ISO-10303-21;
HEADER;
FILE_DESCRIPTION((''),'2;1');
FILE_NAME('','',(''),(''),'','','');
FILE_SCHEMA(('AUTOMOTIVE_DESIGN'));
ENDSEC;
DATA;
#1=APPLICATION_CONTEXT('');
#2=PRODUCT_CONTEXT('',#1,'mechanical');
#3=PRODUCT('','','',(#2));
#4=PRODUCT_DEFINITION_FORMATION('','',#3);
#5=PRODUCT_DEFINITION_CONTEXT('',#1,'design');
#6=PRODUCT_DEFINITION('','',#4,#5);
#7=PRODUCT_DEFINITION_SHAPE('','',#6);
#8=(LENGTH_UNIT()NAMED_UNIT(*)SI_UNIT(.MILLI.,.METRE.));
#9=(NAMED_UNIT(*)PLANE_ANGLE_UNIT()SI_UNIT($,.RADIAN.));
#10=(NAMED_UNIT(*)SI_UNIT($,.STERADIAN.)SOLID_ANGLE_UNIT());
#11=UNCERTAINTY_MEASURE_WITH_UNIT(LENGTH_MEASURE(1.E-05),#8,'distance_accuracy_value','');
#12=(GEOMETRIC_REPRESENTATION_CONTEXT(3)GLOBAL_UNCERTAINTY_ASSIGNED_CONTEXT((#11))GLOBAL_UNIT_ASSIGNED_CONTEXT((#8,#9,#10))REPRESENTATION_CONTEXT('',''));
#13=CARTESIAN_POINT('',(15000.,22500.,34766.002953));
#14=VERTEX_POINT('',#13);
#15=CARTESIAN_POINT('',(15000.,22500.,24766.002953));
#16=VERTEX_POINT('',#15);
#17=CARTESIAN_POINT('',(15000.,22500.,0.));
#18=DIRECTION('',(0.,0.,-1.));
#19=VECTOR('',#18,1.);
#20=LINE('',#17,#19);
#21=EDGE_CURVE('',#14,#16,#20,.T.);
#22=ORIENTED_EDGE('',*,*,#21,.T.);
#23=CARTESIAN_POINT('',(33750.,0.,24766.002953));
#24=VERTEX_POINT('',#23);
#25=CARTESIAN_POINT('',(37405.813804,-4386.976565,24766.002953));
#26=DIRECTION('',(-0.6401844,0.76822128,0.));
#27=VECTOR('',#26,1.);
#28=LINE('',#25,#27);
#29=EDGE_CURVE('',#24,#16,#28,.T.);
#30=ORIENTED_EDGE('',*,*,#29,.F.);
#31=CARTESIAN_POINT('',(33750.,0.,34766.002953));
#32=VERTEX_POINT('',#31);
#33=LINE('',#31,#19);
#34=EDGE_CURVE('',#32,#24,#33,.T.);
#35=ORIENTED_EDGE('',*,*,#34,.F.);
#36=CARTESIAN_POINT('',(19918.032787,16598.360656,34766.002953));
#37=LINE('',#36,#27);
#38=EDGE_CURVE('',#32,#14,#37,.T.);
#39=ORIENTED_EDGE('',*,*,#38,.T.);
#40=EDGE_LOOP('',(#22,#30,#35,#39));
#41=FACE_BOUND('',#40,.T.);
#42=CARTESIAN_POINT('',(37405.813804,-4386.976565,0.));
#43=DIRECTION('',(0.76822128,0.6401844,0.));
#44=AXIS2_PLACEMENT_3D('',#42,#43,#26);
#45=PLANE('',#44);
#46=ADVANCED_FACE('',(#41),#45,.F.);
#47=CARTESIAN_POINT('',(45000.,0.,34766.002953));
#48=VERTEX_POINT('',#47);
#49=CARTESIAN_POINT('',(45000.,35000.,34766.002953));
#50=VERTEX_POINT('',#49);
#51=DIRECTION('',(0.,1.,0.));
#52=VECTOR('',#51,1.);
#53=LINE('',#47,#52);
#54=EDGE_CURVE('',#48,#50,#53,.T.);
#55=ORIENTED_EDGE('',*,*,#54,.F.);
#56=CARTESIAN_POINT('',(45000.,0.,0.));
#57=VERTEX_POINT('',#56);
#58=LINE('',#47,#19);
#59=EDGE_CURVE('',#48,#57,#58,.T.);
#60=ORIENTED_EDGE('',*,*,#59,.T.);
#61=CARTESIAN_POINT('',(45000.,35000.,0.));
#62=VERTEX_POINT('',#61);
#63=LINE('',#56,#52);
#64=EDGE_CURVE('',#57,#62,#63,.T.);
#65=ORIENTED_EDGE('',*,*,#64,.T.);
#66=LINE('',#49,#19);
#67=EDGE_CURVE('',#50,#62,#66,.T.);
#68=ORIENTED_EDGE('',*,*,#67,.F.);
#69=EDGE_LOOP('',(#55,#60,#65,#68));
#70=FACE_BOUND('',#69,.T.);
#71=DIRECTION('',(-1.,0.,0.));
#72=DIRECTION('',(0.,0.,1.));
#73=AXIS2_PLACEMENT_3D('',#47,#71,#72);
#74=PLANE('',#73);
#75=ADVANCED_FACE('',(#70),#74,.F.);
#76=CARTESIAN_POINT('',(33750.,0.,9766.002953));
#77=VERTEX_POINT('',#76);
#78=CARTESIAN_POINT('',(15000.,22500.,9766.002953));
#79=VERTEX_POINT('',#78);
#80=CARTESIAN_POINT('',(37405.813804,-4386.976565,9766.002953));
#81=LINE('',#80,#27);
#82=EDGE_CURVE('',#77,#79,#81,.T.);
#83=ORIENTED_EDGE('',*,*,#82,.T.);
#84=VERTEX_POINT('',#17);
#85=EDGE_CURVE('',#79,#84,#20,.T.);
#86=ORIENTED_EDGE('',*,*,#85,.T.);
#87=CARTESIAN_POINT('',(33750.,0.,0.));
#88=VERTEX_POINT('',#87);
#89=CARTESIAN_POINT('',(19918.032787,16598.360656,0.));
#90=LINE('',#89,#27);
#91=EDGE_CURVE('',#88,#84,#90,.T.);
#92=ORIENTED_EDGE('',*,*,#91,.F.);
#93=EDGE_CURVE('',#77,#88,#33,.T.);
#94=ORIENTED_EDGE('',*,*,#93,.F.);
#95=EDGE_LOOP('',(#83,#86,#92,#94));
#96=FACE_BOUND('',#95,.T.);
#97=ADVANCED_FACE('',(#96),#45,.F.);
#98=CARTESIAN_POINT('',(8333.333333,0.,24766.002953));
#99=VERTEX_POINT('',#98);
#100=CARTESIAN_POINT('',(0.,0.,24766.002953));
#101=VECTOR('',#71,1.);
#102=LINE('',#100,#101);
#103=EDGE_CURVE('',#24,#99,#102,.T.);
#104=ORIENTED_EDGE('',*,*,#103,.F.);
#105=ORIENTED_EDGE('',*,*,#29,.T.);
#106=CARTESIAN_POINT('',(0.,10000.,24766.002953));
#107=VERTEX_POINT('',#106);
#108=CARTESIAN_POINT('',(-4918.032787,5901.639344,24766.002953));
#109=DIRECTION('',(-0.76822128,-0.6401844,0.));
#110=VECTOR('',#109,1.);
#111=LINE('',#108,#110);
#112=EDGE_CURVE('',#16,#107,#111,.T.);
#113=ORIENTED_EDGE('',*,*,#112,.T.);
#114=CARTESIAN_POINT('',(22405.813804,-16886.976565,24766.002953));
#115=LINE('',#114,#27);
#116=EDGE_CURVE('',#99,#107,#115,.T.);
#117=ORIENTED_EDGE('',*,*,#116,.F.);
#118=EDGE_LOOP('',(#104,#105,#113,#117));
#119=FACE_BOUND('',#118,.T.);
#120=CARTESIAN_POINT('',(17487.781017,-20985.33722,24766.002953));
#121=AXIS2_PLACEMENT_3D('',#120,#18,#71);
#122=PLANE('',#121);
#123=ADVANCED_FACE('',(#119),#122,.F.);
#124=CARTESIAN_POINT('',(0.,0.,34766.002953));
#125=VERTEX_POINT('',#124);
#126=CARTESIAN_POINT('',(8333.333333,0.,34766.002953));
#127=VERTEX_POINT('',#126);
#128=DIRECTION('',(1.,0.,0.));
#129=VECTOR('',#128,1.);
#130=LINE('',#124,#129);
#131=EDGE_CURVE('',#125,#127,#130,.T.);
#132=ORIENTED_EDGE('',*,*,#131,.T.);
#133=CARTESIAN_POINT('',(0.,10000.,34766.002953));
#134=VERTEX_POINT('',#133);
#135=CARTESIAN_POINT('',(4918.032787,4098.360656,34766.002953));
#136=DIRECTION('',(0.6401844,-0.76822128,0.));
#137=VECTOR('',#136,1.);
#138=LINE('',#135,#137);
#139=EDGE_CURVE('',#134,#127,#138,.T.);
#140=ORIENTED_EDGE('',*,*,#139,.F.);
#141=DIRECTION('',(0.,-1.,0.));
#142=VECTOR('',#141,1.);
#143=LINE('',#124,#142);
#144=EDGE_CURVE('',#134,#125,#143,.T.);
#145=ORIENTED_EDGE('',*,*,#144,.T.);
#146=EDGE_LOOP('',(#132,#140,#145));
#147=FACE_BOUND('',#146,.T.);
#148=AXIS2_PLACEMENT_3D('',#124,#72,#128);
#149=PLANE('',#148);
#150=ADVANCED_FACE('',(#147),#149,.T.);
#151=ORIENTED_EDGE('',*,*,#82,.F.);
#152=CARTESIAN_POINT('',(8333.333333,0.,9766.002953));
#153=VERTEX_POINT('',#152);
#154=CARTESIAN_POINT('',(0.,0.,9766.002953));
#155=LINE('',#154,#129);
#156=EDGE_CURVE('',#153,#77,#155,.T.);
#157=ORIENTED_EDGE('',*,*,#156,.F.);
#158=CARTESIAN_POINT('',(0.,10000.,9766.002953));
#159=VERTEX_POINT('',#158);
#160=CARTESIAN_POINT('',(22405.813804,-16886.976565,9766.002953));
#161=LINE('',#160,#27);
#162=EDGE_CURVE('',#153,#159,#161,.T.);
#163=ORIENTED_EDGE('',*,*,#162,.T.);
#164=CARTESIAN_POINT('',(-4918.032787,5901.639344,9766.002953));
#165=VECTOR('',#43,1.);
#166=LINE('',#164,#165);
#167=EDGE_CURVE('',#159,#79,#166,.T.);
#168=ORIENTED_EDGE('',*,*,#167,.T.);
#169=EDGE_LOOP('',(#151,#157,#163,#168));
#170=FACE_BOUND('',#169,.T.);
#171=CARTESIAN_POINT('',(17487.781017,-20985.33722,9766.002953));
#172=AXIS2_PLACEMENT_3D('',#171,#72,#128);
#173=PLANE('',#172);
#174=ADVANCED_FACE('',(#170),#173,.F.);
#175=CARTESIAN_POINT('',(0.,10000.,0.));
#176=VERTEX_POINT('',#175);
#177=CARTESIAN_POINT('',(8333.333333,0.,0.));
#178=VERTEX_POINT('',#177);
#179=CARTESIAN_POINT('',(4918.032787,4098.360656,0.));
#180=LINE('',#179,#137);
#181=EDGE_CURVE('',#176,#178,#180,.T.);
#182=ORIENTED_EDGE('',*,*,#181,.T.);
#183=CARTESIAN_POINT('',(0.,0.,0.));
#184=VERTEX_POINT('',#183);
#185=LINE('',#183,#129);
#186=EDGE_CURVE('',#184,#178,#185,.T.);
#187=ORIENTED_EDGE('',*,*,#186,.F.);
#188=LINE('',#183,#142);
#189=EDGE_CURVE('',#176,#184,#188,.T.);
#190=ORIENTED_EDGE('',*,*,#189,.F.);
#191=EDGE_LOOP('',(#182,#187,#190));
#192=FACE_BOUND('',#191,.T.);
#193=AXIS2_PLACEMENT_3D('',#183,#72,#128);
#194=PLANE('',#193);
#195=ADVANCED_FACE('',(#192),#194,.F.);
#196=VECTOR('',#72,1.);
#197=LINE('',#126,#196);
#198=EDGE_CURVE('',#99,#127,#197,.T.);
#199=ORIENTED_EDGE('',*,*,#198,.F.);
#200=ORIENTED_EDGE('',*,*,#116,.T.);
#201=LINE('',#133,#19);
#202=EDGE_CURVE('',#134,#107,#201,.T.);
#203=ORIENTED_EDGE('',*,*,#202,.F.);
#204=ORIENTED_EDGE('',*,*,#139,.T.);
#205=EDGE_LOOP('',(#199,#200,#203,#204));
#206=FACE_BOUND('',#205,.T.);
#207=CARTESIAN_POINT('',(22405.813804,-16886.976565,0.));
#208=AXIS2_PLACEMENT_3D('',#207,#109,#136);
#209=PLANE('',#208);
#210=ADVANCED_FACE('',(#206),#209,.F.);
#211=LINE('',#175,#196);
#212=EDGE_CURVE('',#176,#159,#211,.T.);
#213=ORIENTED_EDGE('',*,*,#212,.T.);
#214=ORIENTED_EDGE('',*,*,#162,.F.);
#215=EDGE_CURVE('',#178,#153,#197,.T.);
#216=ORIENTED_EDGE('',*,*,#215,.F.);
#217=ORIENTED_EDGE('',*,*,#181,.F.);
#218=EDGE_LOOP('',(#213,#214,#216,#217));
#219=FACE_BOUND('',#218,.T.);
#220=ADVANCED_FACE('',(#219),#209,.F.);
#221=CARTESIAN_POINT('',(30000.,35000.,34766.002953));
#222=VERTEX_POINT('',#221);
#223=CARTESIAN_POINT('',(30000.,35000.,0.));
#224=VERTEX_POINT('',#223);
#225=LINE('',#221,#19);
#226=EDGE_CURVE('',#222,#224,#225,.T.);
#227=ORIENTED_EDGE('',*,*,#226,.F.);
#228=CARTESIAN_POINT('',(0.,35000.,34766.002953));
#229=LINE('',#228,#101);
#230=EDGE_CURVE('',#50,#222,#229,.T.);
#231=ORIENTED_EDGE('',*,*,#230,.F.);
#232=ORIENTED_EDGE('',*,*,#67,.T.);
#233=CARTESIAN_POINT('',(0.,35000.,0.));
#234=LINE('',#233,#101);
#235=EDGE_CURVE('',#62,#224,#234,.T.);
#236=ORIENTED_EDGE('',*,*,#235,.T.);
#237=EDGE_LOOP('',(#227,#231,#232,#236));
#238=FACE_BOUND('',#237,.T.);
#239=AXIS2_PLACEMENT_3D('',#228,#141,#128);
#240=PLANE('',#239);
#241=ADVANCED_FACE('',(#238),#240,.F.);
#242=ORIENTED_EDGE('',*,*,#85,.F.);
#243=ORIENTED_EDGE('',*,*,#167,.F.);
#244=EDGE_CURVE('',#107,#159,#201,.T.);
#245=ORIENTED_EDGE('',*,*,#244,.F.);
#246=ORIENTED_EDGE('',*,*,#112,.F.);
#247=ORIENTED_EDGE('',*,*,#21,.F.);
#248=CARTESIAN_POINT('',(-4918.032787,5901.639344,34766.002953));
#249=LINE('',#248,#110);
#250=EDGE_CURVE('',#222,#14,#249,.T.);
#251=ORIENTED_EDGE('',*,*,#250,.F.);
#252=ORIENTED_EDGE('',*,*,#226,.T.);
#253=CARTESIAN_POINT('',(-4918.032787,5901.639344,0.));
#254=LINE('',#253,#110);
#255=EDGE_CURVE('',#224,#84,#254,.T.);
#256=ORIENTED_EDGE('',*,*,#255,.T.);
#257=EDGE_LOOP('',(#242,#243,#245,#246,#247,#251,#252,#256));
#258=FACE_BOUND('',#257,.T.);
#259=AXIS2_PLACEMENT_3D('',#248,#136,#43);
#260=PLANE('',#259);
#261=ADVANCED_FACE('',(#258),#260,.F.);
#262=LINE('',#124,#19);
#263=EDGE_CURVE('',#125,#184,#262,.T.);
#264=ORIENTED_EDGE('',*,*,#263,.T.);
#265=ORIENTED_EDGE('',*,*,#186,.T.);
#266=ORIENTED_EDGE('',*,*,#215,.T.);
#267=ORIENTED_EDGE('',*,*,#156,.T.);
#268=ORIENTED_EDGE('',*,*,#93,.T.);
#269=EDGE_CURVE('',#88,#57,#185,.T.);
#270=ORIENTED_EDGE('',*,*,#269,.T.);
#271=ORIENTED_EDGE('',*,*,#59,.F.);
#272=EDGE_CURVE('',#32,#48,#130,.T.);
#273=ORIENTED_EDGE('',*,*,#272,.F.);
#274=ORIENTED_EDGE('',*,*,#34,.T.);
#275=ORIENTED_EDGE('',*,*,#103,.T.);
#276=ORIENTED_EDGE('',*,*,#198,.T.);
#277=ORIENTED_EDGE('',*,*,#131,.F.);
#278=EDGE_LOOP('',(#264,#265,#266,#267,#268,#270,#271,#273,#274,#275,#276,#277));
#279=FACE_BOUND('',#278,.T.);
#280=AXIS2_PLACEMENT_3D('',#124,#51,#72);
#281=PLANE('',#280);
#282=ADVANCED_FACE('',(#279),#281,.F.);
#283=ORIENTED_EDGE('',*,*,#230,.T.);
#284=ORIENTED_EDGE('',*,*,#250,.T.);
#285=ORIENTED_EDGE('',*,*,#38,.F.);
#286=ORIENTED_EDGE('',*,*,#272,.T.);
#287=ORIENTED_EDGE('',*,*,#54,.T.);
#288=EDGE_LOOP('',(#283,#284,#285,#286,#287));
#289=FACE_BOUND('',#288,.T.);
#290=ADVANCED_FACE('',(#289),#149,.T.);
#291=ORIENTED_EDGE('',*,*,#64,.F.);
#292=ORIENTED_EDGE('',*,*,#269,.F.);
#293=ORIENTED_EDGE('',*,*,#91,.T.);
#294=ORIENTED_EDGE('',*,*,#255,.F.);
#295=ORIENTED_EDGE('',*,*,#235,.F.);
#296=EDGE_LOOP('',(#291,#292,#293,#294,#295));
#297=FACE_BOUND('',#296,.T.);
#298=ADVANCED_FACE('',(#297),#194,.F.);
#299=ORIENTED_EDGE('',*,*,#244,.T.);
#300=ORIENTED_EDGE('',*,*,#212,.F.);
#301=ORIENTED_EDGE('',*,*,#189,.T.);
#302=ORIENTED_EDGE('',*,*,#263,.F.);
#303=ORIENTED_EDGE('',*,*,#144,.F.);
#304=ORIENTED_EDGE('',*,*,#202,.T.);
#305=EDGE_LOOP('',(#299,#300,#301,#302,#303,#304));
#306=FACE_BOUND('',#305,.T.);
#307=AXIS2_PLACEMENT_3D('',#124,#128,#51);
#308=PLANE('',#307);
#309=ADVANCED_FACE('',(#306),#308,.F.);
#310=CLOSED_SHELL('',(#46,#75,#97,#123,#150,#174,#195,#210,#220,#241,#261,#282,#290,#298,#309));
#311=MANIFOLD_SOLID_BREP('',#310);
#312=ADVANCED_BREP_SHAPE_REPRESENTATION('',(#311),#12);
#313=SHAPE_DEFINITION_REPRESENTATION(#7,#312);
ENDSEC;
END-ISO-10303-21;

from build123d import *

# Parameters (mm, degrees)
BOSS_EXTRUDE1_DEPTH = 34766.002952666
SKETCH2_W           = 19525.624189766
SKETCH2_H           = 10000
SKETCH2_H_2         = 9766.002952666
CUT_EXTRUDE1_DEPTH  = 34999


with BuildPart() as part:
    # Sketch1 → Boss-Extrude1 (new body)
    with BuildSketch(Plane.XY):
        Polygon((0, 10000), (0, 0), (15000, 0), (15000, 22500), align=None)
        Polygon((15000, 22500), (15000, 0), (15913.464519056, 0), (45000, 0), (45000, 35000), (30000, 35000), align=None)
    extrude(amount=BOSS_EXTRUDE1_DEPTH)

    # Sketch2 → Cut-Extrude1 (cut)
    with BuildSketch(Plane(origin=(-4918.032786885, 5901.639344262, 0), x_dir=(0.7682212795973759, 0.6401843996644799, 0), z_dir=(-0.6401843996644799, 0.768221279597376, 0))):
        with Locations((16164.656091528, -29766.002952666)):
            Rectangle(SKETCH2_W, SKETCH2_H)
        with Locations((16164.656091528, -4883.001476333)):
            Rectangle(SKETCH2_W, SKETCH2_H_2)
    extrude(amount=-CUT_EXTRUDE1_DEPTH, mode=Mode.SUBTRACT)


solid = part.part
